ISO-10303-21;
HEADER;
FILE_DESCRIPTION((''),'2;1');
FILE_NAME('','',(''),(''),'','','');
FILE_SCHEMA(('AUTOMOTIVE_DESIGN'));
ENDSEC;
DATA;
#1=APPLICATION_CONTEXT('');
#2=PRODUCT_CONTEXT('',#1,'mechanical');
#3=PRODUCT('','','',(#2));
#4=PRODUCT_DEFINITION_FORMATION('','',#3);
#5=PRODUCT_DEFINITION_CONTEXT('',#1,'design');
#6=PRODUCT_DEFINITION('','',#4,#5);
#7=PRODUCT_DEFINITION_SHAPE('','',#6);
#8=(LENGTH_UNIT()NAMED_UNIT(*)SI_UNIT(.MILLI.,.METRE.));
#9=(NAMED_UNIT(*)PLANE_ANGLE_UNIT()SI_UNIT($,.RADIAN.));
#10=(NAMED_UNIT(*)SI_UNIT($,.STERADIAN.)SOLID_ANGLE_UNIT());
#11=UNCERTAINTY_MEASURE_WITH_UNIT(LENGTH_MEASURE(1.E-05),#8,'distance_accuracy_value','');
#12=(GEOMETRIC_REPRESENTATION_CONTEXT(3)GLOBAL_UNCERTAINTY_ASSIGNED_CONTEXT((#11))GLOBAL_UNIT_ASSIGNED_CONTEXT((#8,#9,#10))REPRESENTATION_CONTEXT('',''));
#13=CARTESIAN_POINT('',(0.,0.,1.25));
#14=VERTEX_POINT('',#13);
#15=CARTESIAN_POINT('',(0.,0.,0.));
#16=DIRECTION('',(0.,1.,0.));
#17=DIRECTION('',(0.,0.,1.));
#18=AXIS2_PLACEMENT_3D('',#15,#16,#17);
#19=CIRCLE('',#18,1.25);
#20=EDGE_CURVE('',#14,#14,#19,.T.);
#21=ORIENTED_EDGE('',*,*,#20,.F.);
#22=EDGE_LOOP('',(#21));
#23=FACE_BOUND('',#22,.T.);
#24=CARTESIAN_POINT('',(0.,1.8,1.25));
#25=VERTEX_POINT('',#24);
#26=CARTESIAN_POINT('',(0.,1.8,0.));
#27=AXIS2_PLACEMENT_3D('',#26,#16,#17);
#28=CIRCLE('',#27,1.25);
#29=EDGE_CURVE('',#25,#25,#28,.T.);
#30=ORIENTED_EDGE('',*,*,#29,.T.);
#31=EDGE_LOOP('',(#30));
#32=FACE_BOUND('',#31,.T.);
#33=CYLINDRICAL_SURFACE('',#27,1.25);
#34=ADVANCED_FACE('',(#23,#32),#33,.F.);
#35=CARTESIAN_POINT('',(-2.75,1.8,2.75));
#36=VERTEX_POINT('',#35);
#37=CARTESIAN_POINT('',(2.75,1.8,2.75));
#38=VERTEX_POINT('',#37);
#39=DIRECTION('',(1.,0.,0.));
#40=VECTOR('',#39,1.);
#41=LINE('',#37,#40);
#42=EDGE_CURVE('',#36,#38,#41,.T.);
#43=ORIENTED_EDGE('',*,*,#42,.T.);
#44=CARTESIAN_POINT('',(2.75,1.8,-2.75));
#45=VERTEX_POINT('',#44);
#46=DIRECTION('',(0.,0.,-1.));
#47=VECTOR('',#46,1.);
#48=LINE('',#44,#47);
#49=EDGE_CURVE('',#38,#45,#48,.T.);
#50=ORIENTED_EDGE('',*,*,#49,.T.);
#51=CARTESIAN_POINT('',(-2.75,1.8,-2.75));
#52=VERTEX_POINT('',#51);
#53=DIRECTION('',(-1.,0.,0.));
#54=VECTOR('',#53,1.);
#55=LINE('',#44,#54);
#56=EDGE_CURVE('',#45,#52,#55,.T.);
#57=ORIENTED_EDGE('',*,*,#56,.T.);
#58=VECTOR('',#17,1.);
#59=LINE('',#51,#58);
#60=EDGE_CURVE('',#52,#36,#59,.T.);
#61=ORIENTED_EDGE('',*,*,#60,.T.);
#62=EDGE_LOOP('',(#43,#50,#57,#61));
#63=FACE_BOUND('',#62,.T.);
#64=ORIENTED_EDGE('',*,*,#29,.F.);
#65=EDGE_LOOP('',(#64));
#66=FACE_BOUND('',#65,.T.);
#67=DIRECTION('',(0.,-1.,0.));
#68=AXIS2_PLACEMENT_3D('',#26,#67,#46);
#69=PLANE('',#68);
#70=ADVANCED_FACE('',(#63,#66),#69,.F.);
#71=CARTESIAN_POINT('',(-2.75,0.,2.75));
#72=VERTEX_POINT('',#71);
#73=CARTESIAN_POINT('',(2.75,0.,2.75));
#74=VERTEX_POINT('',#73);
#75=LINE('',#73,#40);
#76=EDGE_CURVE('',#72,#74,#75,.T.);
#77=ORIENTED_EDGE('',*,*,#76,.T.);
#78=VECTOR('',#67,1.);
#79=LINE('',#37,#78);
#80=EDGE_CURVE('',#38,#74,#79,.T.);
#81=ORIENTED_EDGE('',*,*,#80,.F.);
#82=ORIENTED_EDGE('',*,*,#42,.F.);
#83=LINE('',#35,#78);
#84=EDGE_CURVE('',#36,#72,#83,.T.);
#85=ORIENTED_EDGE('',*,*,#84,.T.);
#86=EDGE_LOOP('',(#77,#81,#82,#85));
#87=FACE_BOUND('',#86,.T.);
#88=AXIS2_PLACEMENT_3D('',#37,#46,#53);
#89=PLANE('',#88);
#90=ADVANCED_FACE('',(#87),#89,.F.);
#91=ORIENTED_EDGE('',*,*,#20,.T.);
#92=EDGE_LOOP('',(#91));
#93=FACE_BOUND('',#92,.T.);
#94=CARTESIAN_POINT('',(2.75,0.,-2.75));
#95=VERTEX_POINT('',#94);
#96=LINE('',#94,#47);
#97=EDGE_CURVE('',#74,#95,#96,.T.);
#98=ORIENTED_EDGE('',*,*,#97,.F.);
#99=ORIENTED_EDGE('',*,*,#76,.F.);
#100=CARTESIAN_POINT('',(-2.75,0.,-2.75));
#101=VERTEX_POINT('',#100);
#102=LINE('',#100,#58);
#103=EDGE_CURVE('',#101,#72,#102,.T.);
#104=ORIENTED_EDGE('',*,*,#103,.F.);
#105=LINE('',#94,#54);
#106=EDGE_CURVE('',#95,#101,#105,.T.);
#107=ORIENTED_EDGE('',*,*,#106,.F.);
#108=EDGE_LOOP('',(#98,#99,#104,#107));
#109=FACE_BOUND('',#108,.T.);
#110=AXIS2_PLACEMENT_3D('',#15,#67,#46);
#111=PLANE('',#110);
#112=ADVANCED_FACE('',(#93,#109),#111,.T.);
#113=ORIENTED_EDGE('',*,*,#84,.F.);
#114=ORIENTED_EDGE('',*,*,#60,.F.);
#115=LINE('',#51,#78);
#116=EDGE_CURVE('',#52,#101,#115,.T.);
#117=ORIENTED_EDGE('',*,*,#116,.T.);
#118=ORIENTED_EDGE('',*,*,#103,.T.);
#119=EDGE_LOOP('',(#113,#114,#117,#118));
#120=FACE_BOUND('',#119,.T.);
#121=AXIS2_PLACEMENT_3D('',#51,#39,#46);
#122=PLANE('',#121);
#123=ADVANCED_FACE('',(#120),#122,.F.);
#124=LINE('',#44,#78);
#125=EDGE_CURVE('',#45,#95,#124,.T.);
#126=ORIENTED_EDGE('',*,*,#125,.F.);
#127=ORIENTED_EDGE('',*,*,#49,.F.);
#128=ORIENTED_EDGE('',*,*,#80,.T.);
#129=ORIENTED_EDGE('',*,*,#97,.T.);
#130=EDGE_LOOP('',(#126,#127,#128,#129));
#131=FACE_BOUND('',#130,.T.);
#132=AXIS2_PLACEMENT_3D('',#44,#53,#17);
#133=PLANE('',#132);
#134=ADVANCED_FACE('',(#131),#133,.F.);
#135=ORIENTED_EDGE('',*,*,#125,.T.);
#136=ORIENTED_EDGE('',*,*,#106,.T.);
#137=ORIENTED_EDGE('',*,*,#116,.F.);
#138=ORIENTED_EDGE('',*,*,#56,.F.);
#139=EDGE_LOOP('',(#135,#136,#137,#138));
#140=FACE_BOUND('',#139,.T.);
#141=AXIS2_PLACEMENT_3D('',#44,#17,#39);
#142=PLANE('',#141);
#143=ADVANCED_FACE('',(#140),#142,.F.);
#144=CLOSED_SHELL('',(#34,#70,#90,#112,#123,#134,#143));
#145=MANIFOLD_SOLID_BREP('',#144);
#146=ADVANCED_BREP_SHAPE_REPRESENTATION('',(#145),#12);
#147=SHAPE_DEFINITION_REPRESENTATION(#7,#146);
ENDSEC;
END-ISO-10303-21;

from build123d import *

# Parameters (mm, degrees)
SKETCH1_W             = 5.5
SKETCH1_H             = 5.5
BOSS_EXTRUDE1_DEPTH   = 1.8
M3X0_5_TAPPED_HOLE1_D = 2.5


with BuildPart() as part:
    # Sketch1 → Boss-Extrude1 (new body)
    with BuildSketch(Plane(origin=(0, 0, 0), x_dir=(1, 0, 0), z_dir=(0, 1, 0))):
        Rectangle(SKETCH1_W, SKETCH1_H)
    extrude(amount=BOSS_EXTRUDE1_DEPTH)

    # M3x0.5 Tapped Hole1 (through all)
    with Locations(Plane(origin=(0, 1.8, 0), x_dir=(1, 0, 0), z_dir=(0, 1, 0))):
        with Locations((0, 0)):
            Hole(M3X0_5_TAPPED_HOLE1_D / 2)


solid = part.part
